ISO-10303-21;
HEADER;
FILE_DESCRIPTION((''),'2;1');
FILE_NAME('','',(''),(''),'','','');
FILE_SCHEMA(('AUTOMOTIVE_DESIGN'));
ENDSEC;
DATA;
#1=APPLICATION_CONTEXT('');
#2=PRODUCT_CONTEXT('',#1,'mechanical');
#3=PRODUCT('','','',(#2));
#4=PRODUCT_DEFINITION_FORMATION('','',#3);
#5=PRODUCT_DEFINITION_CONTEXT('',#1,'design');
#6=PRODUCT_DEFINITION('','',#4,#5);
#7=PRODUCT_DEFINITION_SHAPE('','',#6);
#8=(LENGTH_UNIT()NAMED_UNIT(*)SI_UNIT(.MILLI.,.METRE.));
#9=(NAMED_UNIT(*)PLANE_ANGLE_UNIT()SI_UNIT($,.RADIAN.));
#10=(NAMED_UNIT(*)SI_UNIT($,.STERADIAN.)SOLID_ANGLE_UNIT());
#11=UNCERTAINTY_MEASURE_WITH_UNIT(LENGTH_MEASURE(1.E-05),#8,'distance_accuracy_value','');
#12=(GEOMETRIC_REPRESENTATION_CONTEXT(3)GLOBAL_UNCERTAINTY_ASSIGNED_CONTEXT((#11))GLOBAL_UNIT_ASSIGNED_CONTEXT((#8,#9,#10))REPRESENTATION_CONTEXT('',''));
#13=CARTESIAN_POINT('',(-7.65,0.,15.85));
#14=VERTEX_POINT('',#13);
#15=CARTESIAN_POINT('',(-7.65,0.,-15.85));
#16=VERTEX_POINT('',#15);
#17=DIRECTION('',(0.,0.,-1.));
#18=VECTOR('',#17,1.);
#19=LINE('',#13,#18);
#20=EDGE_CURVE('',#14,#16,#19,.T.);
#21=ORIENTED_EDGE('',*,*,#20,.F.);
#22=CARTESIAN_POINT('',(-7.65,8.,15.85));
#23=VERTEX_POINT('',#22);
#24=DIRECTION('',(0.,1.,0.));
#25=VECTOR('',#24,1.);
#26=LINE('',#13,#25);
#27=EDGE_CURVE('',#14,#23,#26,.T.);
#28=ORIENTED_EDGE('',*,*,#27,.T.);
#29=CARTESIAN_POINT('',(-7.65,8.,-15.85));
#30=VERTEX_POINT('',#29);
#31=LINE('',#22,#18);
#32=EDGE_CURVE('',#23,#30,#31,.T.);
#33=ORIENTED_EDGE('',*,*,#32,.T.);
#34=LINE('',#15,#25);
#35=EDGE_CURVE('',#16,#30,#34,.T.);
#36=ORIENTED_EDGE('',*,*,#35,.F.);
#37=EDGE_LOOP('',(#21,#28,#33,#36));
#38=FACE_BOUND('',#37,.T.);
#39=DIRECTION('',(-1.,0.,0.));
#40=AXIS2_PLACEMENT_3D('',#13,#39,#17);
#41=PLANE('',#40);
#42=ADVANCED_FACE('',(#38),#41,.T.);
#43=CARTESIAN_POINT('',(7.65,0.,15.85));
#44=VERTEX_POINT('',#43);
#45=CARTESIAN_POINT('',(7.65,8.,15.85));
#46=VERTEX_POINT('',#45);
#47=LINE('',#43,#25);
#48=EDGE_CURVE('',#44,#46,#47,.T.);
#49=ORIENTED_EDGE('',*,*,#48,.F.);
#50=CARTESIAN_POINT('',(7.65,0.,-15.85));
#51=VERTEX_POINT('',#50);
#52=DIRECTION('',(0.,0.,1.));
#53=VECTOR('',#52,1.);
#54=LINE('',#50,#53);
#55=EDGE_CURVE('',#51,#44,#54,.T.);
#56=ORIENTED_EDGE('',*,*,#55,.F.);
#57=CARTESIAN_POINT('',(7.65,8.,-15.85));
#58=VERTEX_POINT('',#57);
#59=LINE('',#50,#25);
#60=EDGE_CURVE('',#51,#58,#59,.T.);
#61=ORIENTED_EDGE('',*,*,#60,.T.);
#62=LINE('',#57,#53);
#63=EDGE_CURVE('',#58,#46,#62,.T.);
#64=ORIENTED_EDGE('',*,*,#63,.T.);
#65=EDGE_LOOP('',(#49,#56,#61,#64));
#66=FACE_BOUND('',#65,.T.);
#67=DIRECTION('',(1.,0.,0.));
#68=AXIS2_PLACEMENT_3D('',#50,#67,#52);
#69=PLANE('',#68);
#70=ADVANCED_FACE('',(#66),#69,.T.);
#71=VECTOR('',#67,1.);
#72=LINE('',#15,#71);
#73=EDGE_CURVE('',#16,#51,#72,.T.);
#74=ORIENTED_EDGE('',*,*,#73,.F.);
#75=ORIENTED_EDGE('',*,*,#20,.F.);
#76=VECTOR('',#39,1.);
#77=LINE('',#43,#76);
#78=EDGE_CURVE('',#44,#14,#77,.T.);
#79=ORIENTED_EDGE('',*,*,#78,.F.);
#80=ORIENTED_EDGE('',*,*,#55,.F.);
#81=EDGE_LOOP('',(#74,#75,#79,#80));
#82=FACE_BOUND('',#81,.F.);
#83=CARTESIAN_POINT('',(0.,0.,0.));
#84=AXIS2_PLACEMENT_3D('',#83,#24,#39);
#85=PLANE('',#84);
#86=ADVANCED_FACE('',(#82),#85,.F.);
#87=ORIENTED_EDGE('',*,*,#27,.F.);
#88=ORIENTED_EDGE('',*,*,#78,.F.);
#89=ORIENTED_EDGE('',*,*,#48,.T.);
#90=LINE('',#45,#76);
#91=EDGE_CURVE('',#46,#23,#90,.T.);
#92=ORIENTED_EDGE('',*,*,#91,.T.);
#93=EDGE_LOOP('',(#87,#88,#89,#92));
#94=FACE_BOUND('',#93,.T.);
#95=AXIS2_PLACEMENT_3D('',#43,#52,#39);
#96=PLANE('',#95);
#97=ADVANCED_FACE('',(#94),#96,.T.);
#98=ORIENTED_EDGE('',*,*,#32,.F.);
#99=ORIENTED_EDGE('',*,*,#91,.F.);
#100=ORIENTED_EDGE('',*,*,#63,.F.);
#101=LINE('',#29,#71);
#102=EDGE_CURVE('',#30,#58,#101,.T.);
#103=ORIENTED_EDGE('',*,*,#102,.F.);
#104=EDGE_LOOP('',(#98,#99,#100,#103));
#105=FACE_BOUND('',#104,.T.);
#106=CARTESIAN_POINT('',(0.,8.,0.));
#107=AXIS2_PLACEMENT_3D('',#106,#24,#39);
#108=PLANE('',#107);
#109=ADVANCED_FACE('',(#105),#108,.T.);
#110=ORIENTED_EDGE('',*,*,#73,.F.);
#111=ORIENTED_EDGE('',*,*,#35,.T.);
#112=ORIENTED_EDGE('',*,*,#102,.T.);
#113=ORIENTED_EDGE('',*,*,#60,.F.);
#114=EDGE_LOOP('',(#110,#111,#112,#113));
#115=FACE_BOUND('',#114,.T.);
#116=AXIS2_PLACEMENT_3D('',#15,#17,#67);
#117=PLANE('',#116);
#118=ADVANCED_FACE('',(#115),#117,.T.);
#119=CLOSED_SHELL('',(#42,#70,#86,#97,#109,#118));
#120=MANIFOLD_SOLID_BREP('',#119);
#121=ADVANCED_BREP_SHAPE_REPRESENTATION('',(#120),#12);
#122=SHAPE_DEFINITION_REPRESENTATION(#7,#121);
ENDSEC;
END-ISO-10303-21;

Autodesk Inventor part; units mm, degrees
ref_plane "XZ Plane" through (0, 0, 0) normal (0, 1, 0) x (-1, 0, 0)
ref_plane "XY Plane" through (0, 0, 0) normal (0, 0, 1) x (1, 0, 0)
sketch "Sketch1" plane through (0, 0, 0) normal (0, 1, 0) x (-1, 0, 0)
  line L0 (-7.65, 15.85) -> (7.65, 15.85)
  line L1 (7.65, 15.85) -> (7.65, -15.85)
  line L2 (7.65, -15.85) -> (-7.65, -15.85)
  line L3 (-7.65, -15.85) -> (-7.65, 15.85)
  line L4 (-7.65, 15.85) -> (7.65, -15.85) construction
  line L5 (7.65, 15.85) -> (-7.65, -15.85) construction
  point P0 (0, 0)
  dimension "d0" = 15.3
  dimension "d1" = 31.7
extrude "Extrusion1" add sketch "Sketch1" along normal blind 8
properties part number "Battery_37v_270mAh"
